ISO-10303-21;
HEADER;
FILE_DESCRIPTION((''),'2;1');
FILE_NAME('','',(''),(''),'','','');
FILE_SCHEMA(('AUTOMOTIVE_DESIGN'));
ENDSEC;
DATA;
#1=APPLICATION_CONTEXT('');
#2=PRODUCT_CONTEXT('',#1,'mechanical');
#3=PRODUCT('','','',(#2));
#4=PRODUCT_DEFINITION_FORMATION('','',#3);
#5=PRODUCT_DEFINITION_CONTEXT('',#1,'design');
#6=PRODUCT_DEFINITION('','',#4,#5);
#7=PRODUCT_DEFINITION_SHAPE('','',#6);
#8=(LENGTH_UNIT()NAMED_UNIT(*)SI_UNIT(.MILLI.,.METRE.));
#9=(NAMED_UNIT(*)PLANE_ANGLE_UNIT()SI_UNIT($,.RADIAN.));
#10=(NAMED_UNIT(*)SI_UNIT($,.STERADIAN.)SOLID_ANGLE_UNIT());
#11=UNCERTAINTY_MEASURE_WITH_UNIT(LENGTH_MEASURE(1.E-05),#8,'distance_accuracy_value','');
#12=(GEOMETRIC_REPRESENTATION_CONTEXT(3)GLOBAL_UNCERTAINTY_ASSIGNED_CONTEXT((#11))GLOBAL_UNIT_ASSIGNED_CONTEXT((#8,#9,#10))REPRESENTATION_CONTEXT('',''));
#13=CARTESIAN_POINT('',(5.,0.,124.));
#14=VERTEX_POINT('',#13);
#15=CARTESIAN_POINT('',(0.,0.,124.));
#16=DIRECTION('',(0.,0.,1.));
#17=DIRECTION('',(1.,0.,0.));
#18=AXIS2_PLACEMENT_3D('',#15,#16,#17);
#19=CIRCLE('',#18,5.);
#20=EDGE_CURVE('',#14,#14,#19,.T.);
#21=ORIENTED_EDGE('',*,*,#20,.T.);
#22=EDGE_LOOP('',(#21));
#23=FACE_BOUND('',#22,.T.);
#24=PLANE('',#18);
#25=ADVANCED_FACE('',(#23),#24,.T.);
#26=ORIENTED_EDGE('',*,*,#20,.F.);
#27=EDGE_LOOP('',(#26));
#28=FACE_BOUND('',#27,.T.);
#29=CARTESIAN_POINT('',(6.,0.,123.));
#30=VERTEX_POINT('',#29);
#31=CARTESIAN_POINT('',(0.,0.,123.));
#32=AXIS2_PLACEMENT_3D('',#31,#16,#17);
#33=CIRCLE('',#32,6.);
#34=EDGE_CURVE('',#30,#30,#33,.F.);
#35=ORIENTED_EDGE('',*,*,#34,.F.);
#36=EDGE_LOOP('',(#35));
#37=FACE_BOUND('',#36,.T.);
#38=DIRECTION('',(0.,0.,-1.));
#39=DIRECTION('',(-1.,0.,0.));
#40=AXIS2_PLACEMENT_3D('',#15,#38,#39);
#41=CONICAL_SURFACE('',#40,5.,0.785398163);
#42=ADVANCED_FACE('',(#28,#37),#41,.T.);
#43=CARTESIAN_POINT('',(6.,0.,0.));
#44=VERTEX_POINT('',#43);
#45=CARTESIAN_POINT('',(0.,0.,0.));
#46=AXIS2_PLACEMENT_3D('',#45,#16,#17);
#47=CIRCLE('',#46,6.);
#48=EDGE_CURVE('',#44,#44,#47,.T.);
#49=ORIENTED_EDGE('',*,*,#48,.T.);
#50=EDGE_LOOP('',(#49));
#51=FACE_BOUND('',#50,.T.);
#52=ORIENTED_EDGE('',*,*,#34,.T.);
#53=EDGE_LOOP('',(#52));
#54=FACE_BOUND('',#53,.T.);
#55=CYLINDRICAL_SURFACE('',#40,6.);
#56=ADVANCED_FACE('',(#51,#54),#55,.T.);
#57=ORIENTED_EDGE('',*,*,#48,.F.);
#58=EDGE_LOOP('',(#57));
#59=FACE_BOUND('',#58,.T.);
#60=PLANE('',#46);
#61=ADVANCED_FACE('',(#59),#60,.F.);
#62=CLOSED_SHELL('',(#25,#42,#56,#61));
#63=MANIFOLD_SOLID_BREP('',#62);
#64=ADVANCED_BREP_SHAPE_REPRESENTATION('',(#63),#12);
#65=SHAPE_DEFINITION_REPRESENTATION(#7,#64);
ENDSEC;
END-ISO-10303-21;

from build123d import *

# Parameters (mm, degrees)
ESQUISSE1_R        = 6
BOSS_EXTRU_1_DEPTH = 124
CHANFREIN1_SIZE    = 1


with BuildPart() as part:
    # Esquisse1 → Boss.-Extru.1 (new body)
    with BuildSketch(Plane.XY):
        Circle(ESQUISSE1_R)
    extrude(amount=BOSS_EXTRU_1_DEPTH)

    # Chanfrein1
    chanfrein1_edges = [part.edges().sort_by_distance(p)[0] for p in [
        (-6, 0, 124),
    ]]
    chamfer(chanfrein1_edges, length=CHANFREIN1_SIZE)


solid = part.part
